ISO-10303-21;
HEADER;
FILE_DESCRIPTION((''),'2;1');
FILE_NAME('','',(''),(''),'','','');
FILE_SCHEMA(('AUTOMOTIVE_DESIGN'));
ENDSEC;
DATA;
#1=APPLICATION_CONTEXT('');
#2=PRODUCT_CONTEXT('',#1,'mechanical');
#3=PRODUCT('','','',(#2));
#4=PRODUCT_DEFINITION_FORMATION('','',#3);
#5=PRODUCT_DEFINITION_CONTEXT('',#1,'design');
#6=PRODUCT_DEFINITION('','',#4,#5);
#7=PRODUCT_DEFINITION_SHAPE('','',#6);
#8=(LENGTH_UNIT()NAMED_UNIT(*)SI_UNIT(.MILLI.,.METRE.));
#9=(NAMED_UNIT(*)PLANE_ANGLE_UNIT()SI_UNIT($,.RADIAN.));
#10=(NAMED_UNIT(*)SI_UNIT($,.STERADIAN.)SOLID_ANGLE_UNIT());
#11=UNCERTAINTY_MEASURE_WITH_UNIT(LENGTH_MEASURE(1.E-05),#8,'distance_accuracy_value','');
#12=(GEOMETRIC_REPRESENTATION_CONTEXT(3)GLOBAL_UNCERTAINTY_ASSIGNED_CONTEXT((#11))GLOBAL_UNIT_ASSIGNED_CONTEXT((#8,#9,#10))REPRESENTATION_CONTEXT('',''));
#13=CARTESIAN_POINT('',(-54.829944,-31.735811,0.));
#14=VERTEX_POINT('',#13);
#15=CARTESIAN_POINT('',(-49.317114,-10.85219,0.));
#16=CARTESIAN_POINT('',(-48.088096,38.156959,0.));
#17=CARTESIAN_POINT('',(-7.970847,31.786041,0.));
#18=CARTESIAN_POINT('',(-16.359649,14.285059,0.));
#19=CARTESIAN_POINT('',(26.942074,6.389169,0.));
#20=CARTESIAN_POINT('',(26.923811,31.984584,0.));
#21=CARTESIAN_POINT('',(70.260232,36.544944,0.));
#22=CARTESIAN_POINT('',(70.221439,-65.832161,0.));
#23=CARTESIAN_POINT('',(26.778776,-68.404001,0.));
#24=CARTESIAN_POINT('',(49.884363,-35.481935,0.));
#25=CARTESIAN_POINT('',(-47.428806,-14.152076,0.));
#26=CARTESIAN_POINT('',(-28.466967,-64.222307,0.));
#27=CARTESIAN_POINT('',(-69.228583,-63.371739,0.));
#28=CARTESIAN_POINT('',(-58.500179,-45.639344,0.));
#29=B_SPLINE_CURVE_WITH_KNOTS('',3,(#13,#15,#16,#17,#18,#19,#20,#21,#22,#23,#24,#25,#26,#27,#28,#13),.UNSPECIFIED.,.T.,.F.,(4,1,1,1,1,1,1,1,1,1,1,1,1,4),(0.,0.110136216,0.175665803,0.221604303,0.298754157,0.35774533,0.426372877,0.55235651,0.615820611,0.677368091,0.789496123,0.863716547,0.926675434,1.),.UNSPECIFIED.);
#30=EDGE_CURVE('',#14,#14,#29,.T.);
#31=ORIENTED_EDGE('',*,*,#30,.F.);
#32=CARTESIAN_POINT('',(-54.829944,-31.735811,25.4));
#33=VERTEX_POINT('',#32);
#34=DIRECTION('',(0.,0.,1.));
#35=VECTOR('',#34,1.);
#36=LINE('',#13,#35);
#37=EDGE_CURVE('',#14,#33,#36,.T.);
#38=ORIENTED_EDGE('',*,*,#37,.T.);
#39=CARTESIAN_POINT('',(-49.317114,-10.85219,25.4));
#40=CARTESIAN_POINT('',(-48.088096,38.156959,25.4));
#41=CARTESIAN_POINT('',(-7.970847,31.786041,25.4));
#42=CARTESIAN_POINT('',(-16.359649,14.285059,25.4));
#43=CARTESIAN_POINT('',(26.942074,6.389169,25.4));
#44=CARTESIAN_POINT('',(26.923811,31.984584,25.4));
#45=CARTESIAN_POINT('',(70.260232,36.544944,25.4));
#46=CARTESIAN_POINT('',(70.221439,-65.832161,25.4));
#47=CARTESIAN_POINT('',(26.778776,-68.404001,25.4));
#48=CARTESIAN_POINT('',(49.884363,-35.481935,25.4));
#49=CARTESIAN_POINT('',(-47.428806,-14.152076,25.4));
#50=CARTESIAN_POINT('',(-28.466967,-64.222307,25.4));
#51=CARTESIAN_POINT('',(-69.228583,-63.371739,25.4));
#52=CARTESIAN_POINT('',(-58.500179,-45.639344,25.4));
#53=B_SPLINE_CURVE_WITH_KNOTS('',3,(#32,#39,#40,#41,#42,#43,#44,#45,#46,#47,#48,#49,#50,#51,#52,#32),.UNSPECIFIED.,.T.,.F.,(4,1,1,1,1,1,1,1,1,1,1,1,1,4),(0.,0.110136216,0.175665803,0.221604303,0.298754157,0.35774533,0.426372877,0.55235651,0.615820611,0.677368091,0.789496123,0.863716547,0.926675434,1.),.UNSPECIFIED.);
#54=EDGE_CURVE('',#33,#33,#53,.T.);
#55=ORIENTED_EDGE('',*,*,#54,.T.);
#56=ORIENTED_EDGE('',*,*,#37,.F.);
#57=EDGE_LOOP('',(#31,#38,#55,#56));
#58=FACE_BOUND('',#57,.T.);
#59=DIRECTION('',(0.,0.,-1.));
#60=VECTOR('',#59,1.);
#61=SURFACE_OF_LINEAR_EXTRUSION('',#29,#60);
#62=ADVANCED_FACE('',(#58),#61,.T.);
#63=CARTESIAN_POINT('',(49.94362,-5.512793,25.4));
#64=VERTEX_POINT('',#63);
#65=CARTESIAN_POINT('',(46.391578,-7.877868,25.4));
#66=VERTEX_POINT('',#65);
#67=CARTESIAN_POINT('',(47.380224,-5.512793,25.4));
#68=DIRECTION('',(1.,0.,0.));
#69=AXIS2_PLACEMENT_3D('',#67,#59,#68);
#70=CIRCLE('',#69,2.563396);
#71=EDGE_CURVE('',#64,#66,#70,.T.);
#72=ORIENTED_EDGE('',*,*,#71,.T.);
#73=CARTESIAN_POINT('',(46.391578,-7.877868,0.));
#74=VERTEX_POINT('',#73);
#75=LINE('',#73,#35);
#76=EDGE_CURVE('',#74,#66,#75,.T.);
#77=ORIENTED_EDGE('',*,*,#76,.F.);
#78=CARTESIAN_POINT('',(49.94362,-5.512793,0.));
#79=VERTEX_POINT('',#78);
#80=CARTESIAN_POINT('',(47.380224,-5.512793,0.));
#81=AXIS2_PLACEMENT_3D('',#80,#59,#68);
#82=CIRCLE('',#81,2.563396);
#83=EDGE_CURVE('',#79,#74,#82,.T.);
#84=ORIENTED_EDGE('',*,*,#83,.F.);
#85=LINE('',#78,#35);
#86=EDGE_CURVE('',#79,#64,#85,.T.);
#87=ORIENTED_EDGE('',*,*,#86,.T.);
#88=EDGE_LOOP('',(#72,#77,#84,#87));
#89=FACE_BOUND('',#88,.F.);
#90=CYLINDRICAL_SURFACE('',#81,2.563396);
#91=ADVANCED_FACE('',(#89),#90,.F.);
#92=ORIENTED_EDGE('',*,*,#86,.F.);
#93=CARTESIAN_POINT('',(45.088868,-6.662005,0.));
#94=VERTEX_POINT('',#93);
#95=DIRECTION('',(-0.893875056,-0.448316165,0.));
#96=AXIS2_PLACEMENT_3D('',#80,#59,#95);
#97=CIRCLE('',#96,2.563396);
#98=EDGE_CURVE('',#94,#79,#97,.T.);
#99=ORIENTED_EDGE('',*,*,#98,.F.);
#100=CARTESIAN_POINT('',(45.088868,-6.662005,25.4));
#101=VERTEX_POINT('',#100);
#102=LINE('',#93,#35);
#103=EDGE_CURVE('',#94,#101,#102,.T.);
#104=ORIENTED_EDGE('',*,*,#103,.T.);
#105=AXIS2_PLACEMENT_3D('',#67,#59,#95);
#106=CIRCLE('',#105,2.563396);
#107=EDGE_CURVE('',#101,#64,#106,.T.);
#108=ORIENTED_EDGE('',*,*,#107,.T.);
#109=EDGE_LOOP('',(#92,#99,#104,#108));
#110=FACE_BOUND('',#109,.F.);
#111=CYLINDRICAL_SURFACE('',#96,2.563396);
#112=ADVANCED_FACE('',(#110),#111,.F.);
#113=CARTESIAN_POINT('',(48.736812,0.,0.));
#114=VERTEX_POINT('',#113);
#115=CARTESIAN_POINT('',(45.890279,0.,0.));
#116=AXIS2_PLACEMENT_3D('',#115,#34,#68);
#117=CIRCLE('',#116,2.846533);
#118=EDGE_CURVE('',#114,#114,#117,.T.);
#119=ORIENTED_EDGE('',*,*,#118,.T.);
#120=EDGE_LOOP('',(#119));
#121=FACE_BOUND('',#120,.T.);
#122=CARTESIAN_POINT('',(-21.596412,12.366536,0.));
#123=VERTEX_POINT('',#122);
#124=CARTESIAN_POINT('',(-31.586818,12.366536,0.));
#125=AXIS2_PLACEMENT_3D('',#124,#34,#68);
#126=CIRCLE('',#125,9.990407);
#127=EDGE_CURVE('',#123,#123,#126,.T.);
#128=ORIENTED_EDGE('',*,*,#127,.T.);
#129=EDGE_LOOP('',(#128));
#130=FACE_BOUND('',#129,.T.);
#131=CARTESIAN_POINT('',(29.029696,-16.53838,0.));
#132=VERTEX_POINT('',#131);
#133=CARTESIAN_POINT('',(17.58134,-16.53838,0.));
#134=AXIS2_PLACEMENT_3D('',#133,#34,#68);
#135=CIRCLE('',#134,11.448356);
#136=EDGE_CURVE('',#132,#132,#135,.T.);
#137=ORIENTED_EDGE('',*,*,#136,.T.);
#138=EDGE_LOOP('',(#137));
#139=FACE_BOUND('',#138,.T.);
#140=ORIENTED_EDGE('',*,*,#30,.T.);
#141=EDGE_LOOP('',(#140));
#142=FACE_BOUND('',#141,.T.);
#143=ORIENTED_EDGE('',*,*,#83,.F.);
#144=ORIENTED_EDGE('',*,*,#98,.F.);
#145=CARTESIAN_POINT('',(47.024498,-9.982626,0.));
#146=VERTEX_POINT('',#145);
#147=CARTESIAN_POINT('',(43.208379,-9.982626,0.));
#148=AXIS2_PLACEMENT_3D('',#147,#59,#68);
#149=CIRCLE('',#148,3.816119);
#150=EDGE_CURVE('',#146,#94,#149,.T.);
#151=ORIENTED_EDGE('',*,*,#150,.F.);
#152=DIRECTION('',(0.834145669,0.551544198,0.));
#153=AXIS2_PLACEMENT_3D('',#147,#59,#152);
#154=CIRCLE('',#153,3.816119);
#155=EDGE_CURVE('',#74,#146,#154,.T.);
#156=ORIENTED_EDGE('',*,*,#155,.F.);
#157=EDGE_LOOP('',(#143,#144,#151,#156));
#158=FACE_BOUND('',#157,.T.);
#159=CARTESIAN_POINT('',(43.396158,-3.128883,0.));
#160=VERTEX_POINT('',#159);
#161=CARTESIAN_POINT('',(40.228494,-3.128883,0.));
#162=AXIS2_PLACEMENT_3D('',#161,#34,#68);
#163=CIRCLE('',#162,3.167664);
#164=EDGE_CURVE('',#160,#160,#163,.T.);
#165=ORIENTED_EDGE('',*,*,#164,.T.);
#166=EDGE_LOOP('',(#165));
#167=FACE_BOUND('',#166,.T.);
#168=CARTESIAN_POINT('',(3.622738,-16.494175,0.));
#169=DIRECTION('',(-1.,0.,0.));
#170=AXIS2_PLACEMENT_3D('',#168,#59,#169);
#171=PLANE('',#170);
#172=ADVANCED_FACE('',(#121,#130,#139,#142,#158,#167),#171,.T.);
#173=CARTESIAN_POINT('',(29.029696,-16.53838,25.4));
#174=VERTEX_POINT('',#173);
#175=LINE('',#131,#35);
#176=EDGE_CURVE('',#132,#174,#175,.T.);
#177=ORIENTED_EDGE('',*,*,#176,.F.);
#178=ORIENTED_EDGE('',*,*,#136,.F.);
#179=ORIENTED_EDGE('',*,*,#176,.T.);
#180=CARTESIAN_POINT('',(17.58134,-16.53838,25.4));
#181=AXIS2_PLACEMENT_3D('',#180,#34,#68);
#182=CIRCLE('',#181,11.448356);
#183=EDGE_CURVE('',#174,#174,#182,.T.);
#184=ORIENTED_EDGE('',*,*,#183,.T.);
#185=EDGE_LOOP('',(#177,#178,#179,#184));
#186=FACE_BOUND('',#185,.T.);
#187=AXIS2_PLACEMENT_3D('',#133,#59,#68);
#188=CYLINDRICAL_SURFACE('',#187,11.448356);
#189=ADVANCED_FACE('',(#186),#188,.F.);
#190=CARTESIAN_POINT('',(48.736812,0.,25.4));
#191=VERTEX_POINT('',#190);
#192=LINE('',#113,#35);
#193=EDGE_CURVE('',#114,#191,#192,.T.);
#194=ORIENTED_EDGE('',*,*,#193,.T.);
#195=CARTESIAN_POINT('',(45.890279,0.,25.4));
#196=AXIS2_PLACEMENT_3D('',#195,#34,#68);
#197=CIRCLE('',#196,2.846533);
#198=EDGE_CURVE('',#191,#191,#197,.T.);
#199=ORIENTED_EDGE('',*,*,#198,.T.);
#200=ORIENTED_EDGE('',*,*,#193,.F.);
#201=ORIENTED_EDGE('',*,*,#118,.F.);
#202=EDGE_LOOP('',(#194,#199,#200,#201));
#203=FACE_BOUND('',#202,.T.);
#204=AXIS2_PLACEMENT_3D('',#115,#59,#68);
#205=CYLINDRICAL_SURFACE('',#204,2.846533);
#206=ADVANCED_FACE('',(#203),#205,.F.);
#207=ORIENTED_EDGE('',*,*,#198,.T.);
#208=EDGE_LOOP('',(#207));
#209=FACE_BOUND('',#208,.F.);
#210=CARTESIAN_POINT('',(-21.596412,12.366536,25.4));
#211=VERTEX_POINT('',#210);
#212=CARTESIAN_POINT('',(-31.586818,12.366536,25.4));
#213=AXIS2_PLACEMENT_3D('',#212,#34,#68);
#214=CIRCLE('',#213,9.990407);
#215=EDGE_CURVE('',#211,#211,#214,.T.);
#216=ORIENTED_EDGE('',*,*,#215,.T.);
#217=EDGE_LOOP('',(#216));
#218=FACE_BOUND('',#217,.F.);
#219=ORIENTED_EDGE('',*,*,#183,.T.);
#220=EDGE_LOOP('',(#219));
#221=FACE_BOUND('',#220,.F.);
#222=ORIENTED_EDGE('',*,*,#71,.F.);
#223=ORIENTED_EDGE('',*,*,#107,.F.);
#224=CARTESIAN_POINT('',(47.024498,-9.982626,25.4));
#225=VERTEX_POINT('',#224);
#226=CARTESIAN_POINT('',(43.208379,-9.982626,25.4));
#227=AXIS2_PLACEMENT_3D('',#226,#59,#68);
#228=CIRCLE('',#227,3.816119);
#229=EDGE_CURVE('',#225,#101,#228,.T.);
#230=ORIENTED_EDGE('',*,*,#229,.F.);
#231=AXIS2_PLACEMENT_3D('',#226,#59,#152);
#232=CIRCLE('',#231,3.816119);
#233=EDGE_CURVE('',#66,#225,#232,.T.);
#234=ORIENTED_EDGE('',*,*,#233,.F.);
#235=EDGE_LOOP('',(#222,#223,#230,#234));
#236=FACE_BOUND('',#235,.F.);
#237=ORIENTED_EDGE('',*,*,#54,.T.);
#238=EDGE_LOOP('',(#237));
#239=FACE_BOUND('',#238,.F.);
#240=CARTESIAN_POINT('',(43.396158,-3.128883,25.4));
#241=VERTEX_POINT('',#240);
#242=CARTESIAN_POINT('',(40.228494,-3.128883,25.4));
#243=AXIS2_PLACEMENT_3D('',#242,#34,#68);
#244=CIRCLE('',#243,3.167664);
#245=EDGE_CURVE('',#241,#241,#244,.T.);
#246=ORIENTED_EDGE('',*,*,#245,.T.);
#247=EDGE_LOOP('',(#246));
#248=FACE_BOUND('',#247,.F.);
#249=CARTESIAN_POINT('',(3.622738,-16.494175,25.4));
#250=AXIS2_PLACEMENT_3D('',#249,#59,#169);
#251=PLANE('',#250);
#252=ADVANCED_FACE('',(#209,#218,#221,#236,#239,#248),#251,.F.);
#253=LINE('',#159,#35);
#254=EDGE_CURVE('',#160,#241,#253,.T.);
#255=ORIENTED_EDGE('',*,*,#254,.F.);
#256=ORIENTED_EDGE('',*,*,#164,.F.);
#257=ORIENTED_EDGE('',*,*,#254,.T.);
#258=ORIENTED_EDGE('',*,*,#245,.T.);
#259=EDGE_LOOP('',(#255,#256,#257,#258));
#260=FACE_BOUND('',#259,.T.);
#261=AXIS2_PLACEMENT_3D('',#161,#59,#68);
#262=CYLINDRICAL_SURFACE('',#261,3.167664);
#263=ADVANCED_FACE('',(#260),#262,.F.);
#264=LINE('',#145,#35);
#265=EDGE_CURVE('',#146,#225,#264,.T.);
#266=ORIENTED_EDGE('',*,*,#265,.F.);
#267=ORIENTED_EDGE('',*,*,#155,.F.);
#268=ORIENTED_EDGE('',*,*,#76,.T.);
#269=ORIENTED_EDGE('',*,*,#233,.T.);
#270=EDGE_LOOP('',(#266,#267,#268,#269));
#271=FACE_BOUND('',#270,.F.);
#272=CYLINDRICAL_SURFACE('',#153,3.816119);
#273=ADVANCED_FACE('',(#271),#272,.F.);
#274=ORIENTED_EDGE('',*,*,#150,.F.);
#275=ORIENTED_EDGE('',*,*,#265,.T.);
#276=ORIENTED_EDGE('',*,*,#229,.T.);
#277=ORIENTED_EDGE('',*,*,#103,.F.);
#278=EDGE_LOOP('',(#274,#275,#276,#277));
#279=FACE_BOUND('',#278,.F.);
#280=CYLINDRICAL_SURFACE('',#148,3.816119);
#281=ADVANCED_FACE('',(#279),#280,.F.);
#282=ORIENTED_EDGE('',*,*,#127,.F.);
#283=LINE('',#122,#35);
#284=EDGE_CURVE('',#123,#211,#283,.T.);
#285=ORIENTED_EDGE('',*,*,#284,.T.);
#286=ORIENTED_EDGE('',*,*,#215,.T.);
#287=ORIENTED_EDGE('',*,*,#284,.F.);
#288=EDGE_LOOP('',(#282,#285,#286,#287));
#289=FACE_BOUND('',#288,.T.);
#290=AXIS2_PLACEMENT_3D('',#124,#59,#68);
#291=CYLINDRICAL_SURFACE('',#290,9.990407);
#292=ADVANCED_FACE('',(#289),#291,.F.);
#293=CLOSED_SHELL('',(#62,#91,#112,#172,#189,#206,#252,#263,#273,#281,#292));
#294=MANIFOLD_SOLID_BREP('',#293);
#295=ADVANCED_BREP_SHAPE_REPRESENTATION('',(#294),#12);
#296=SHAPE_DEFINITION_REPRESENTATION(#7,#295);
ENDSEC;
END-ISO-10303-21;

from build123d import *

# Parameters (mm, degrees)
F0_R     = 11.4483559542
F0_R_2   = 9.9904067713
F0_R_3   = 3.1676643285
F0_R_4   = 2.8465333147
F1_DEPTH = 25.4


with BuildPart() as f1:
    # F0 (on Top) → F1 (new body)
    with BuildSketch(Plane.XY):
        with BuildLine():
            add(Edge.make_bspline(
                [(-54.8299439251, -31.7358113825), (-49.3171143766, -10.8521902649), (-48.0880956212, 38.1569588155), (-7.9708466575, 31.7860410234), (-16.3596486333, 14.2850586434), (26.9420739022, 6.3891689433), (26.9238110162, 31.9845838932), (70.2602317963, 36.5449440017), (70.2214388213, -65.8321614231), (26.7787763841, -68.404000776), (49.8843625869, -35.4819346184), (-47.4288063836, -14.1520760547), (-28.4669666416, -64.2223074096), (-69.2285833897, -63.3717389644), (-58.5001792862, -45.6393438638), (-54.8299439251, -31.7358113825)],
                knots=[0, 0, 0, 0, 0.1101362161, 0.1756658027, 0.2216043031, 0.2987541574, 0.3577453303, 0.4263728768, 0.5523565104, 0.6158206111, 0.6773680912, 0.7894961228, 0.8637165469, 0.9266754338, 1, 1, 1, 1], degree=3))
        make_face()
        with Locations((17.5813399255, -16.5383797139)):
            Circle(F0_R, mode=Mode.SUBTRACT)
        with Locations((-31.586818397, 12.3665360734)):
            Circle(F0_R_2, mode=Mode.SUBTRACT)
        with Locations((40.2284935117, -3.1288827304)):
            Circle(F0_R_3, mode=Mode.SUBTRACT)
        with BuildLine():
            ThreePointArc((45.0888683094, -6.6620048536), (46.7897381416, -3.0183343028), (49.943619665, -5.5127930827))
            ThreePointArc((49.943619665, -5.5127930827), (48.8009117709, -7.6464856308), (46.3915783464, -7.8778677177))
            ThreePointArc((46.3915783464, -7.8778677177), (46.8628443374, -8.8836952504), (47.0244981923, -9.9826259539))
            ThreePointArc((47.0244981923, -9.9826259539), (39.9114918985, -11.904421178), (45.0888683094, -6.6620048536))
        make_face(mode=Mode.SUBTRACT)
        with Locations((45.8902791142, 0)):
            Circle(F0_R_4, mode=Mode.SUBTRACT)
    extrude(amount=F1_DEPTH)


solid = f1.part
